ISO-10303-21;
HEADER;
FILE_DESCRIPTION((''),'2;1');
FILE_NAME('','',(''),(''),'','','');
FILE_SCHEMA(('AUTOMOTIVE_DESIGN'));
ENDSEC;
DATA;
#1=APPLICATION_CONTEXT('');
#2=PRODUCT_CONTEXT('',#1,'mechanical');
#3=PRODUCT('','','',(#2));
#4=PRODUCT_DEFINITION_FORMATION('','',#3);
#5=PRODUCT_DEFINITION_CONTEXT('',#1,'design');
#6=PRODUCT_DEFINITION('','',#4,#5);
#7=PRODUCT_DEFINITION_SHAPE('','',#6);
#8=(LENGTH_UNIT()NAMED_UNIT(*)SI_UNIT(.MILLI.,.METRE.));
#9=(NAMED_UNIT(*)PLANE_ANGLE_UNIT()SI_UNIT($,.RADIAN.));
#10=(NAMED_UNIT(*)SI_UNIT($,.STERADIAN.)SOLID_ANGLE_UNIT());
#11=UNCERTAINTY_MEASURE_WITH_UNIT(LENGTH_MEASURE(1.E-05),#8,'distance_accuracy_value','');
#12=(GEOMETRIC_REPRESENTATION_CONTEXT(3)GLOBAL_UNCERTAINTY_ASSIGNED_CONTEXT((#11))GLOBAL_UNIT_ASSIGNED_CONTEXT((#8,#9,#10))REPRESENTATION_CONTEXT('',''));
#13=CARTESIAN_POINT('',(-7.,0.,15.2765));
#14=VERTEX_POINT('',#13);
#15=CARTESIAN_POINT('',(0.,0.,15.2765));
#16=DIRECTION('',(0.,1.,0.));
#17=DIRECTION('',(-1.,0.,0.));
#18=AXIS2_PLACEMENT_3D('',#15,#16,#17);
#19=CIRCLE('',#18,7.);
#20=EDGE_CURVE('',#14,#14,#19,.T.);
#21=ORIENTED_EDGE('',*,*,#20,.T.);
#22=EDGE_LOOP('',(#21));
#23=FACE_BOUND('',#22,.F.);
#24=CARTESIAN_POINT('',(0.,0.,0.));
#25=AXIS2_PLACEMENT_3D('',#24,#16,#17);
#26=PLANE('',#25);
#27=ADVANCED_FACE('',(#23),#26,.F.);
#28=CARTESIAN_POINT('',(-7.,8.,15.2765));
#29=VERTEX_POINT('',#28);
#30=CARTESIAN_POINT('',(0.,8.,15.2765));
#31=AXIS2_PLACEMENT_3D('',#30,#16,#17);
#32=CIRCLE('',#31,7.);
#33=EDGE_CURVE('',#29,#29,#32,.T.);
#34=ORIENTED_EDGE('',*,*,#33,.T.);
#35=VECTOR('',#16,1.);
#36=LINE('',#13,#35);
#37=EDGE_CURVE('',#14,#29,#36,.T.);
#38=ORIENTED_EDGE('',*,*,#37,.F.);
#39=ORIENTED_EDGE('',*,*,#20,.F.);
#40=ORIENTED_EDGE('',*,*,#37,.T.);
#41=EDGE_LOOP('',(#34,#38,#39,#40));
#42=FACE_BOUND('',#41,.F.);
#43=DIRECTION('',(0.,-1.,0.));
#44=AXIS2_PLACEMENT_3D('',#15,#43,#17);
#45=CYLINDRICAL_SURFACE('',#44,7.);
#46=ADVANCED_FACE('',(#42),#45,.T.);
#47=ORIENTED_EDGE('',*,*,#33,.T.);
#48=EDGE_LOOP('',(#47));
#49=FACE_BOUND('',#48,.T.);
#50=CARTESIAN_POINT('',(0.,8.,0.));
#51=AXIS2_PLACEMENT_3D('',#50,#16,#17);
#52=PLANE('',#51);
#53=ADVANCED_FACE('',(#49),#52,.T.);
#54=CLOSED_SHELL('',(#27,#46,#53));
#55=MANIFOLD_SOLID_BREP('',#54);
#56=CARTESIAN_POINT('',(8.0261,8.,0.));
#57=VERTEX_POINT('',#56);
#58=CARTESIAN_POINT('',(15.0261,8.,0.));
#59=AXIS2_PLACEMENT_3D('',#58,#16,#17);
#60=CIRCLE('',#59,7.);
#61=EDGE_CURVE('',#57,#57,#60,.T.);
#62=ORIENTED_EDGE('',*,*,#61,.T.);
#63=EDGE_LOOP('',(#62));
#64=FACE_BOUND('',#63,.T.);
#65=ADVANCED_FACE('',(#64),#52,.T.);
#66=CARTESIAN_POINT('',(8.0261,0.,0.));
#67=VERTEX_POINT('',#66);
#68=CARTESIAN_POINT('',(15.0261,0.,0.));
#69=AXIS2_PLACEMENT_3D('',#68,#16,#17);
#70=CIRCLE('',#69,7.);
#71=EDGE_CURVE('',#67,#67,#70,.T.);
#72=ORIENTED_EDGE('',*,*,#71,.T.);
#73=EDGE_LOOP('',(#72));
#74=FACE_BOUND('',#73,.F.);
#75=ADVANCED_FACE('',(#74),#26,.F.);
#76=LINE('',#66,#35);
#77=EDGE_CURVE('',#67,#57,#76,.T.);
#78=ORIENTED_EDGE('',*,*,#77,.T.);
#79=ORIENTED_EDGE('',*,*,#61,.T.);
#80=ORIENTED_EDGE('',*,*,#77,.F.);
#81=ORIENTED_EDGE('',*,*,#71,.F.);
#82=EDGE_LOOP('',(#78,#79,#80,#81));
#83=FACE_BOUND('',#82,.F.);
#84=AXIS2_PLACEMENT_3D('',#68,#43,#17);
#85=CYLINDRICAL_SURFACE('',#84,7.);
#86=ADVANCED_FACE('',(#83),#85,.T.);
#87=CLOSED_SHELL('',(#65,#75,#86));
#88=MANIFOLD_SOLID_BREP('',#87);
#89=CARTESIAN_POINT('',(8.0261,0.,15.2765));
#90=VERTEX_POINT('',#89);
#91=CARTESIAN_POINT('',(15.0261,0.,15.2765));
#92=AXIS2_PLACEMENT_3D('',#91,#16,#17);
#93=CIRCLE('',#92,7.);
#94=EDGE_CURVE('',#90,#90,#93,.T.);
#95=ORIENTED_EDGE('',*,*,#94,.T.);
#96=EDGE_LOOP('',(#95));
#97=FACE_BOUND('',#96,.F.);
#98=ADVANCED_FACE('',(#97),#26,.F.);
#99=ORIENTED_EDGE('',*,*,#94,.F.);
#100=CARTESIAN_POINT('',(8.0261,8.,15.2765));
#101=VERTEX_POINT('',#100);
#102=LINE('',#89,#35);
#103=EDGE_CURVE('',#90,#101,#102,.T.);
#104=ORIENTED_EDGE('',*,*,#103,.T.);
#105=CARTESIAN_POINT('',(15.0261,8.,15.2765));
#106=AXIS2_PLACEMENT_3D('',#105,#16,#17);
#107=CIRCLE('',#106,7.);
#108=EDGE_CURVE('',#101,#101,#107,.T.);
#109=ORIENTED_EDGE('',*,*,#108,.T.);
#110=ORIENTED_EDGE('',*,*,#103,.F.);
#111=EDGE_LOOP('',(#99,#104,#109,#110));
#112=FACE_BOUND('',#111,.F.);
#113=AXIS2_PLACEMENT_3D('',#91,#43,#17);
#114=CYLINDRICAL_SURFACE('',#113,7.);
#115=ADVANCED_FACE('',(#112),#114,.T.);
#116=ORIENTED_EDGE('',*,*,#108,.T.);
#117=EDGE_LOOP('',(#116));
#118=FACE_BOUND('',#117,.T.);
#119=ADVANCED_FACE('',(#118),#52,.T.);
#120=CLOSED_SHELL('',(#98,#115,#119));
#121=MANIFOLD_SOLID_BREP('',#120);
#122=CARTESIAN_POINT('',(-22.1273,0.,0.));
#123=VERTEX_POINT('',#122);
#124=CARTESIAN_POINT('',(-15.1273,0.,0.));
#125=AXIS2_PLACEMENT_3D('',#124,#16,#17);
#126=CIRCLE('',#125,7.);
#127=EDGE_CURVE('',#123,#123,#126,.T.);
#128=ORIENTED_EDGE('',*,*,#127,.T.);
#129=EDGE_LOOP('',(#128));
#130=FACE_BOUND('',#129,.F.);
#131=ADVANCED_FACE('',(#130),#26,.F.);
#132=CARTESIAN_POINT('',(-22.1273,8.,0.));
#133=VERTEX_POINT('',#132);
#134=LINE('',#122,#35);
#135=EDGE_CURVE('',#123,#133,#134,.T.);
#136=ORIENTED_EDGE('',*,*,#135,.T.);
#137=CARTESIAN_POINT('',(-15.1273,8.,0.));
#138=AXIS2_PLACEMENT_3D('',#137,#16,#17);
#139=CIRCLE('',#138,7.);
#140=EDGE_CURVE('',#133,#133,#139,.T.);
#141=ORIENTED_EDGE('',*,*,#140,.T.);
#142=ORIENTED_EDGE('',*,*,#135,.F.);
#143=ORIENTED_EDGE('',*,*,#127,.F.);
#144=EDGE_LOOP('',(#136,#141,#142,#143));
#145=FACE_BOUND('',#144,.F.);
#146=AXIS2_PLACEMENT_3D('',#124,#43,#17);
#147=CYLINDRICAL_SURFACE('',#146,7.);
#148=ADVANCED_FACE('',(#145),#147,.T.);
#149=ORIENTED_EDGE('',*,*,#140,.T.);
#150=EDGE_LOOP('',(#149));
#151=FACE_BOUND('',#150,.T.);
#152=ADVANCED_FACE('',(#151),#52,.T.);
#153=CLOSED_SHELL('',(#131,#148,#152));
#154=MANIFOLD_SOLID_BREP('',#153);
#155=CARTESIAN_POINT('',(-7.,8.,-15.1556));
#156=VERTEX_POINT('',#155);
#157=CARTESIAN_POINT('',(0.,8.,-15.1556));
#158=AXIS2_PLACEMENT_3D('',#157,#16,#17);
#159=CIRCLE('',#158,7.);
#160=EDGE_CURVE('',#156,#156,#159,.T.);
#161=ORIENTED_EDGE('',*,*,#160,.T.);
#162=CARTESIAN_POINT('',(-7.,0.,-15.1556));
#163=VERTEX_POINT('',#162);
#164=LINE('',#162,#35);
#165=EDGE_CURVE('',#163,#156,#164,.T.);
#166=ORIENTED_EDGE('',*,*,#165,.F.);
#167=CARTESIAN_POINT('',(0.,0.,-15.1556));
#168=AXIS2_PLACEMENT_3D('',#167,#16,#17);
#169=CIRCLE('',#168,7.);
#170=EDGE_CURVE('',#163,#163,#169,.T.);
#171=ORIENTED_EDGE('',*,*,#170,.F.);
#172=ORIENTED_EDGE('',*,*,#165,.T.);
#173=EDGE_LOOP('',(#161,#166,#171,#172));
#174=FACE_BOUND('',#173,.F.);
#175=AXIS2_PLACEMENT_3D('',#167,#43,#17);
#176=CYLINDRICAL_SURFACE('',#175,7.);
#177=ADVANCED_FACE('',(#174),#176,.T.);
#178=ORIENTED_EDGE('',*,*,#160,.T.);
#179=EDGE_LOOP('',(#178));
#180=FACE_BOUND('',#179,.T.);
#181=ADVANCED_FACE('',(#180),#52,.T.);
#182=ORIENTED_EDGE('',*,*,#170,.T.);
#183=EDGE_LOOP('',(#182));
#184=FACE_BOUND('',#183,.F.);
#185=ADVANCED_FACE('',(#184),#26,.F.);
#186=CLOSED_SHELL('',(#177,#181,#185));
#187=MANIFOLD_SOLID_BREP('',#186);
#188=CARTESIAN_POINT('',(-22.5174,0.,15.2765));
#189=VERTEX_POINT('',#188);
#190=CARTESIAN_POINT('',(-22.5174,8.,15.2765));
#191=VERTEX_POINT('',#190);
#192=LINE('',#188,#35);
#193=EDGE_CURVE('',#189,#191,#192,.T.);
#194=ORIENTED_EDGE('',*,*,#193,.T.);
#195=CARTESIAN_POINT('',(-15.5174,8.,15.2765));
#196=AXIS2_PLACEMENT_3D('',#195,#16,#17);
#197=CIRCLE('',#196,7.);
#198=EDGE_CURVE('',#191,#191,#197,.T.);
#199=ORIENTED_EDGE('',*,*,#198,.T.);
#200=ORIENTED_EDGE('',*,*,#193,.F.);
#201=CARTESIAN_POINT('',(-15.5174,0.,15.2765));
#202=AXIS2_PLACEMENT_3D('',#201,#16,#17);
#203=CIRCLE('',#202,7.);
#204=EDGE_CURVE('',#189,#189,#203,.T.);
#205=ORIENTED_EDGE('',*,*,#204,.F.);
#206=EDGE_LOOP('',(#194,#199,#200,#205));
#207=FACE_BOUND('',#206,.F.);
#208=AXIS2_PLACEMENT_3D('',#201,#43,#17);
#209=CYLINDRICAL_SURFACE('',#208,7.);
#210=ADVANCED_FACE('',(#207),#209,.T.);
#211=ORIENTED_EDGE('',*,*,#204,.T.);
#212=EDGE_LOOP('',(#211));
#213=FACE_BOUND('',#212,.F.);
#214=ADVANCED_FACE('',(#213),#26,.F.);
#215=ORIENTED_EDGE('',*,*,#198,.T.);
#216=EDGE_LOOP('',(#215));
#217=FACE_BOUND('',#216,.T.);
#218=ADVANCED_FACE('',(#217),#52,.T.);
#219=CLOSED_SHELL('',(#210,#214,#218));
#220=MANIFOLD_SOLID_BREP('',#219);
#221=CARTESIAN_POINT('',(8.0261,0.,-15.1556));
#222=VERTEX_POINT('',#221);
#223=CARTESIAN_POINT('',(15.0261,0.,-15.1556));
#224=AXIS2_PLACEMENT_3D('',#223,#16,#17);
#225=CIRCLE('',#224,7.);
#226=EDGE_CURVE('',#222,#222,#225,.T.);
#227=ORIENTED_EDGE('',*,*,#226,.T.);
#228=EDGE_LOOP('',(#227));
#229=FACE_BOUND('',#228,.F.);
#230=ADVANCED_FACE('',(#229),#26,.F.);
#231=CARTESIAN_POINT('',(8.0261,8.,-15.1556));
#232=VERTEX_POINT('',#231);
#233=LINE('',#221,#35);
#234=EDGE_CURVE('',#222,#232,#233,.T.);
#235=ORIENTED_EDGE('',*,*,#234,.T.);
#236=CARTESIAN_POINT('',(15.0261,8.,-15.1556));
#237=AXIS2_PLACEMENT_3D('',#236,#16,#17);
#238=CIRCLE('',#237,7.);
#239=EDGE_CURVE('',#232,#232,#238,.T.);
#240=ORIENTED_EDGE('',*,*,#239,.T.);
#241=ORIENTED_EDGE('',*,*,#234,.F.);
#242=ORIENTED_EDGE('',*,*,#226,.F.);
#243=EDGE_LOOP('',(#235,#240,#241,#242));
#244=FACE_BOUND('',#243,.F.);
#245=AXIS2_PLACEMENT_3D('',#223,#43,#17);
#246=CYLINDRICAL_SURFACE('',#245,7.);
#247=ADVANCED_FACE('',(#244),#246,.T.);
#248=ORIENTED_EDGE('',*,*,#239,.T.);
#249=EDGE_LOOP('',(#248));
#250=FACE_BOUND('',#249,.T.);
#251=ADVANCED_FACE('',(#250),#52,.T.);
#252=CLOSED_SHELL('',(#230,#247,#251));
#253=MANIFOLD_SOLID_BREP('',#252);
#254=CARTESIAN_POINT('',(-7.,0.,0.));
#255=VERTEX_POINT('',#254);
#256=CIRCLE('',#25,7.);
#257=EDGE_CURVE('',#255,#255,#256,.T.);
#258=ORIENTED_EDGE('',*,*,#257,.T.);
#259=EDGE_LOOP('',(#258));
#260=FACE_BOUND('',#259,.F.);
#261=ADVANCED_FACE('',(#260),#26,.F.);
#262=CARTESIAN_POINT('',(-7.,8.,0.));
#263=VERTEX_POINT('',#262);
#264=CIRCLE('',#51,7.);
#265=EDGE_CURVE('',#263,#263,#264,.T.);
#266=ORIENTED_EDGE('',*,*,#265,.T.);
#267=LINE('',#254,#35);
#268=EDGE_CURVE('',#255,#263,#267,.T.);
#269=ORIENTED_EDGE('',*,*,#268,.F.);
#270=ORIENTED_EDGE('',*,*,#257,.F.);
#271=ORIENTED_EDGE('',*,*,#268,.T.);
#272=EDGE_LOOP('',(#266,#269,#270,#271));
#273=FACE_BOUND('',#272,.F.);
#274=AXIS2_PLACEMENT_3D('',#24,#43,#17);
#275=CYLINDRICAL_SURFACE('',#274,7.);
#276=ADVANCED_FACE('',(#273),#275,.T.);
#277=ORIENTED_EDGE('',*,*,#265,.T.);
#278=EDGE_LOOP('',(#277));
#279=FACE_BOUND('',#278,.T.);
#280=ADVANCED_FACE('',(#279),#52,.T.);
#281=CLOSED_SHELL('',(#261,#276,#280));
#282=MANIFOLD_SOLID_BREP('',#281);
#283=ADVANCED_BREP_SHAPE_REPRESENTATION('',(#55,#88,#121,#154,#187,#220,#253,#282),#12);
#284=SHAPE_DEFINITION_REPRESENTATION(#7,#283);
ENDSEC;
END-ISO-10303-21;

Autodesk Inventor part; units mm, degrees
ref_plane "YZ Plane" through (0, 0, 0) normal (1, 0, 0) x (0, 1, 0)
ref_plane "XZ Plane" through (0, 0, 0) normal (0, 1, 0) x (-1, 0, 0)
ref_plane "XY Plane" through (0, 0, 0) normal (0, 0, 1) x (1, 0, 0)
sketch "Sketch1" plane through (0, 0, 0) normal (0, 1, 0) x (-1, 0, 0)
  circle A0 centre (0, 0) radius 7
  circle A1 centre (15.1273, 0) radius 7
  circle A2 centre (-15.0261, 0) radius 7
  circle A3 centre (0, -15.1556) radius 7
  circle A4 centre (0, 15.2765) radius 7
  circle A5 centre (-15.0261, 15.2765) radius 7
  circle A6 centre (15.5174, 15.2765) radius 7
  circle A7 centre (-15.0261, -15.1556) radius 7
  dimension "d0" = 14
  dimension "d1" = 14
  dimension "d2" = 14
  dimension "d3" = 14
  dimension "d4" = 14
  dimension "d5" = 14
  dimension "d6" = 14
  dimension "d7" = 14
extrude "Extrusion1" add sketch "Sketch1" along normal blind 8
properties part number "BUTTON"
